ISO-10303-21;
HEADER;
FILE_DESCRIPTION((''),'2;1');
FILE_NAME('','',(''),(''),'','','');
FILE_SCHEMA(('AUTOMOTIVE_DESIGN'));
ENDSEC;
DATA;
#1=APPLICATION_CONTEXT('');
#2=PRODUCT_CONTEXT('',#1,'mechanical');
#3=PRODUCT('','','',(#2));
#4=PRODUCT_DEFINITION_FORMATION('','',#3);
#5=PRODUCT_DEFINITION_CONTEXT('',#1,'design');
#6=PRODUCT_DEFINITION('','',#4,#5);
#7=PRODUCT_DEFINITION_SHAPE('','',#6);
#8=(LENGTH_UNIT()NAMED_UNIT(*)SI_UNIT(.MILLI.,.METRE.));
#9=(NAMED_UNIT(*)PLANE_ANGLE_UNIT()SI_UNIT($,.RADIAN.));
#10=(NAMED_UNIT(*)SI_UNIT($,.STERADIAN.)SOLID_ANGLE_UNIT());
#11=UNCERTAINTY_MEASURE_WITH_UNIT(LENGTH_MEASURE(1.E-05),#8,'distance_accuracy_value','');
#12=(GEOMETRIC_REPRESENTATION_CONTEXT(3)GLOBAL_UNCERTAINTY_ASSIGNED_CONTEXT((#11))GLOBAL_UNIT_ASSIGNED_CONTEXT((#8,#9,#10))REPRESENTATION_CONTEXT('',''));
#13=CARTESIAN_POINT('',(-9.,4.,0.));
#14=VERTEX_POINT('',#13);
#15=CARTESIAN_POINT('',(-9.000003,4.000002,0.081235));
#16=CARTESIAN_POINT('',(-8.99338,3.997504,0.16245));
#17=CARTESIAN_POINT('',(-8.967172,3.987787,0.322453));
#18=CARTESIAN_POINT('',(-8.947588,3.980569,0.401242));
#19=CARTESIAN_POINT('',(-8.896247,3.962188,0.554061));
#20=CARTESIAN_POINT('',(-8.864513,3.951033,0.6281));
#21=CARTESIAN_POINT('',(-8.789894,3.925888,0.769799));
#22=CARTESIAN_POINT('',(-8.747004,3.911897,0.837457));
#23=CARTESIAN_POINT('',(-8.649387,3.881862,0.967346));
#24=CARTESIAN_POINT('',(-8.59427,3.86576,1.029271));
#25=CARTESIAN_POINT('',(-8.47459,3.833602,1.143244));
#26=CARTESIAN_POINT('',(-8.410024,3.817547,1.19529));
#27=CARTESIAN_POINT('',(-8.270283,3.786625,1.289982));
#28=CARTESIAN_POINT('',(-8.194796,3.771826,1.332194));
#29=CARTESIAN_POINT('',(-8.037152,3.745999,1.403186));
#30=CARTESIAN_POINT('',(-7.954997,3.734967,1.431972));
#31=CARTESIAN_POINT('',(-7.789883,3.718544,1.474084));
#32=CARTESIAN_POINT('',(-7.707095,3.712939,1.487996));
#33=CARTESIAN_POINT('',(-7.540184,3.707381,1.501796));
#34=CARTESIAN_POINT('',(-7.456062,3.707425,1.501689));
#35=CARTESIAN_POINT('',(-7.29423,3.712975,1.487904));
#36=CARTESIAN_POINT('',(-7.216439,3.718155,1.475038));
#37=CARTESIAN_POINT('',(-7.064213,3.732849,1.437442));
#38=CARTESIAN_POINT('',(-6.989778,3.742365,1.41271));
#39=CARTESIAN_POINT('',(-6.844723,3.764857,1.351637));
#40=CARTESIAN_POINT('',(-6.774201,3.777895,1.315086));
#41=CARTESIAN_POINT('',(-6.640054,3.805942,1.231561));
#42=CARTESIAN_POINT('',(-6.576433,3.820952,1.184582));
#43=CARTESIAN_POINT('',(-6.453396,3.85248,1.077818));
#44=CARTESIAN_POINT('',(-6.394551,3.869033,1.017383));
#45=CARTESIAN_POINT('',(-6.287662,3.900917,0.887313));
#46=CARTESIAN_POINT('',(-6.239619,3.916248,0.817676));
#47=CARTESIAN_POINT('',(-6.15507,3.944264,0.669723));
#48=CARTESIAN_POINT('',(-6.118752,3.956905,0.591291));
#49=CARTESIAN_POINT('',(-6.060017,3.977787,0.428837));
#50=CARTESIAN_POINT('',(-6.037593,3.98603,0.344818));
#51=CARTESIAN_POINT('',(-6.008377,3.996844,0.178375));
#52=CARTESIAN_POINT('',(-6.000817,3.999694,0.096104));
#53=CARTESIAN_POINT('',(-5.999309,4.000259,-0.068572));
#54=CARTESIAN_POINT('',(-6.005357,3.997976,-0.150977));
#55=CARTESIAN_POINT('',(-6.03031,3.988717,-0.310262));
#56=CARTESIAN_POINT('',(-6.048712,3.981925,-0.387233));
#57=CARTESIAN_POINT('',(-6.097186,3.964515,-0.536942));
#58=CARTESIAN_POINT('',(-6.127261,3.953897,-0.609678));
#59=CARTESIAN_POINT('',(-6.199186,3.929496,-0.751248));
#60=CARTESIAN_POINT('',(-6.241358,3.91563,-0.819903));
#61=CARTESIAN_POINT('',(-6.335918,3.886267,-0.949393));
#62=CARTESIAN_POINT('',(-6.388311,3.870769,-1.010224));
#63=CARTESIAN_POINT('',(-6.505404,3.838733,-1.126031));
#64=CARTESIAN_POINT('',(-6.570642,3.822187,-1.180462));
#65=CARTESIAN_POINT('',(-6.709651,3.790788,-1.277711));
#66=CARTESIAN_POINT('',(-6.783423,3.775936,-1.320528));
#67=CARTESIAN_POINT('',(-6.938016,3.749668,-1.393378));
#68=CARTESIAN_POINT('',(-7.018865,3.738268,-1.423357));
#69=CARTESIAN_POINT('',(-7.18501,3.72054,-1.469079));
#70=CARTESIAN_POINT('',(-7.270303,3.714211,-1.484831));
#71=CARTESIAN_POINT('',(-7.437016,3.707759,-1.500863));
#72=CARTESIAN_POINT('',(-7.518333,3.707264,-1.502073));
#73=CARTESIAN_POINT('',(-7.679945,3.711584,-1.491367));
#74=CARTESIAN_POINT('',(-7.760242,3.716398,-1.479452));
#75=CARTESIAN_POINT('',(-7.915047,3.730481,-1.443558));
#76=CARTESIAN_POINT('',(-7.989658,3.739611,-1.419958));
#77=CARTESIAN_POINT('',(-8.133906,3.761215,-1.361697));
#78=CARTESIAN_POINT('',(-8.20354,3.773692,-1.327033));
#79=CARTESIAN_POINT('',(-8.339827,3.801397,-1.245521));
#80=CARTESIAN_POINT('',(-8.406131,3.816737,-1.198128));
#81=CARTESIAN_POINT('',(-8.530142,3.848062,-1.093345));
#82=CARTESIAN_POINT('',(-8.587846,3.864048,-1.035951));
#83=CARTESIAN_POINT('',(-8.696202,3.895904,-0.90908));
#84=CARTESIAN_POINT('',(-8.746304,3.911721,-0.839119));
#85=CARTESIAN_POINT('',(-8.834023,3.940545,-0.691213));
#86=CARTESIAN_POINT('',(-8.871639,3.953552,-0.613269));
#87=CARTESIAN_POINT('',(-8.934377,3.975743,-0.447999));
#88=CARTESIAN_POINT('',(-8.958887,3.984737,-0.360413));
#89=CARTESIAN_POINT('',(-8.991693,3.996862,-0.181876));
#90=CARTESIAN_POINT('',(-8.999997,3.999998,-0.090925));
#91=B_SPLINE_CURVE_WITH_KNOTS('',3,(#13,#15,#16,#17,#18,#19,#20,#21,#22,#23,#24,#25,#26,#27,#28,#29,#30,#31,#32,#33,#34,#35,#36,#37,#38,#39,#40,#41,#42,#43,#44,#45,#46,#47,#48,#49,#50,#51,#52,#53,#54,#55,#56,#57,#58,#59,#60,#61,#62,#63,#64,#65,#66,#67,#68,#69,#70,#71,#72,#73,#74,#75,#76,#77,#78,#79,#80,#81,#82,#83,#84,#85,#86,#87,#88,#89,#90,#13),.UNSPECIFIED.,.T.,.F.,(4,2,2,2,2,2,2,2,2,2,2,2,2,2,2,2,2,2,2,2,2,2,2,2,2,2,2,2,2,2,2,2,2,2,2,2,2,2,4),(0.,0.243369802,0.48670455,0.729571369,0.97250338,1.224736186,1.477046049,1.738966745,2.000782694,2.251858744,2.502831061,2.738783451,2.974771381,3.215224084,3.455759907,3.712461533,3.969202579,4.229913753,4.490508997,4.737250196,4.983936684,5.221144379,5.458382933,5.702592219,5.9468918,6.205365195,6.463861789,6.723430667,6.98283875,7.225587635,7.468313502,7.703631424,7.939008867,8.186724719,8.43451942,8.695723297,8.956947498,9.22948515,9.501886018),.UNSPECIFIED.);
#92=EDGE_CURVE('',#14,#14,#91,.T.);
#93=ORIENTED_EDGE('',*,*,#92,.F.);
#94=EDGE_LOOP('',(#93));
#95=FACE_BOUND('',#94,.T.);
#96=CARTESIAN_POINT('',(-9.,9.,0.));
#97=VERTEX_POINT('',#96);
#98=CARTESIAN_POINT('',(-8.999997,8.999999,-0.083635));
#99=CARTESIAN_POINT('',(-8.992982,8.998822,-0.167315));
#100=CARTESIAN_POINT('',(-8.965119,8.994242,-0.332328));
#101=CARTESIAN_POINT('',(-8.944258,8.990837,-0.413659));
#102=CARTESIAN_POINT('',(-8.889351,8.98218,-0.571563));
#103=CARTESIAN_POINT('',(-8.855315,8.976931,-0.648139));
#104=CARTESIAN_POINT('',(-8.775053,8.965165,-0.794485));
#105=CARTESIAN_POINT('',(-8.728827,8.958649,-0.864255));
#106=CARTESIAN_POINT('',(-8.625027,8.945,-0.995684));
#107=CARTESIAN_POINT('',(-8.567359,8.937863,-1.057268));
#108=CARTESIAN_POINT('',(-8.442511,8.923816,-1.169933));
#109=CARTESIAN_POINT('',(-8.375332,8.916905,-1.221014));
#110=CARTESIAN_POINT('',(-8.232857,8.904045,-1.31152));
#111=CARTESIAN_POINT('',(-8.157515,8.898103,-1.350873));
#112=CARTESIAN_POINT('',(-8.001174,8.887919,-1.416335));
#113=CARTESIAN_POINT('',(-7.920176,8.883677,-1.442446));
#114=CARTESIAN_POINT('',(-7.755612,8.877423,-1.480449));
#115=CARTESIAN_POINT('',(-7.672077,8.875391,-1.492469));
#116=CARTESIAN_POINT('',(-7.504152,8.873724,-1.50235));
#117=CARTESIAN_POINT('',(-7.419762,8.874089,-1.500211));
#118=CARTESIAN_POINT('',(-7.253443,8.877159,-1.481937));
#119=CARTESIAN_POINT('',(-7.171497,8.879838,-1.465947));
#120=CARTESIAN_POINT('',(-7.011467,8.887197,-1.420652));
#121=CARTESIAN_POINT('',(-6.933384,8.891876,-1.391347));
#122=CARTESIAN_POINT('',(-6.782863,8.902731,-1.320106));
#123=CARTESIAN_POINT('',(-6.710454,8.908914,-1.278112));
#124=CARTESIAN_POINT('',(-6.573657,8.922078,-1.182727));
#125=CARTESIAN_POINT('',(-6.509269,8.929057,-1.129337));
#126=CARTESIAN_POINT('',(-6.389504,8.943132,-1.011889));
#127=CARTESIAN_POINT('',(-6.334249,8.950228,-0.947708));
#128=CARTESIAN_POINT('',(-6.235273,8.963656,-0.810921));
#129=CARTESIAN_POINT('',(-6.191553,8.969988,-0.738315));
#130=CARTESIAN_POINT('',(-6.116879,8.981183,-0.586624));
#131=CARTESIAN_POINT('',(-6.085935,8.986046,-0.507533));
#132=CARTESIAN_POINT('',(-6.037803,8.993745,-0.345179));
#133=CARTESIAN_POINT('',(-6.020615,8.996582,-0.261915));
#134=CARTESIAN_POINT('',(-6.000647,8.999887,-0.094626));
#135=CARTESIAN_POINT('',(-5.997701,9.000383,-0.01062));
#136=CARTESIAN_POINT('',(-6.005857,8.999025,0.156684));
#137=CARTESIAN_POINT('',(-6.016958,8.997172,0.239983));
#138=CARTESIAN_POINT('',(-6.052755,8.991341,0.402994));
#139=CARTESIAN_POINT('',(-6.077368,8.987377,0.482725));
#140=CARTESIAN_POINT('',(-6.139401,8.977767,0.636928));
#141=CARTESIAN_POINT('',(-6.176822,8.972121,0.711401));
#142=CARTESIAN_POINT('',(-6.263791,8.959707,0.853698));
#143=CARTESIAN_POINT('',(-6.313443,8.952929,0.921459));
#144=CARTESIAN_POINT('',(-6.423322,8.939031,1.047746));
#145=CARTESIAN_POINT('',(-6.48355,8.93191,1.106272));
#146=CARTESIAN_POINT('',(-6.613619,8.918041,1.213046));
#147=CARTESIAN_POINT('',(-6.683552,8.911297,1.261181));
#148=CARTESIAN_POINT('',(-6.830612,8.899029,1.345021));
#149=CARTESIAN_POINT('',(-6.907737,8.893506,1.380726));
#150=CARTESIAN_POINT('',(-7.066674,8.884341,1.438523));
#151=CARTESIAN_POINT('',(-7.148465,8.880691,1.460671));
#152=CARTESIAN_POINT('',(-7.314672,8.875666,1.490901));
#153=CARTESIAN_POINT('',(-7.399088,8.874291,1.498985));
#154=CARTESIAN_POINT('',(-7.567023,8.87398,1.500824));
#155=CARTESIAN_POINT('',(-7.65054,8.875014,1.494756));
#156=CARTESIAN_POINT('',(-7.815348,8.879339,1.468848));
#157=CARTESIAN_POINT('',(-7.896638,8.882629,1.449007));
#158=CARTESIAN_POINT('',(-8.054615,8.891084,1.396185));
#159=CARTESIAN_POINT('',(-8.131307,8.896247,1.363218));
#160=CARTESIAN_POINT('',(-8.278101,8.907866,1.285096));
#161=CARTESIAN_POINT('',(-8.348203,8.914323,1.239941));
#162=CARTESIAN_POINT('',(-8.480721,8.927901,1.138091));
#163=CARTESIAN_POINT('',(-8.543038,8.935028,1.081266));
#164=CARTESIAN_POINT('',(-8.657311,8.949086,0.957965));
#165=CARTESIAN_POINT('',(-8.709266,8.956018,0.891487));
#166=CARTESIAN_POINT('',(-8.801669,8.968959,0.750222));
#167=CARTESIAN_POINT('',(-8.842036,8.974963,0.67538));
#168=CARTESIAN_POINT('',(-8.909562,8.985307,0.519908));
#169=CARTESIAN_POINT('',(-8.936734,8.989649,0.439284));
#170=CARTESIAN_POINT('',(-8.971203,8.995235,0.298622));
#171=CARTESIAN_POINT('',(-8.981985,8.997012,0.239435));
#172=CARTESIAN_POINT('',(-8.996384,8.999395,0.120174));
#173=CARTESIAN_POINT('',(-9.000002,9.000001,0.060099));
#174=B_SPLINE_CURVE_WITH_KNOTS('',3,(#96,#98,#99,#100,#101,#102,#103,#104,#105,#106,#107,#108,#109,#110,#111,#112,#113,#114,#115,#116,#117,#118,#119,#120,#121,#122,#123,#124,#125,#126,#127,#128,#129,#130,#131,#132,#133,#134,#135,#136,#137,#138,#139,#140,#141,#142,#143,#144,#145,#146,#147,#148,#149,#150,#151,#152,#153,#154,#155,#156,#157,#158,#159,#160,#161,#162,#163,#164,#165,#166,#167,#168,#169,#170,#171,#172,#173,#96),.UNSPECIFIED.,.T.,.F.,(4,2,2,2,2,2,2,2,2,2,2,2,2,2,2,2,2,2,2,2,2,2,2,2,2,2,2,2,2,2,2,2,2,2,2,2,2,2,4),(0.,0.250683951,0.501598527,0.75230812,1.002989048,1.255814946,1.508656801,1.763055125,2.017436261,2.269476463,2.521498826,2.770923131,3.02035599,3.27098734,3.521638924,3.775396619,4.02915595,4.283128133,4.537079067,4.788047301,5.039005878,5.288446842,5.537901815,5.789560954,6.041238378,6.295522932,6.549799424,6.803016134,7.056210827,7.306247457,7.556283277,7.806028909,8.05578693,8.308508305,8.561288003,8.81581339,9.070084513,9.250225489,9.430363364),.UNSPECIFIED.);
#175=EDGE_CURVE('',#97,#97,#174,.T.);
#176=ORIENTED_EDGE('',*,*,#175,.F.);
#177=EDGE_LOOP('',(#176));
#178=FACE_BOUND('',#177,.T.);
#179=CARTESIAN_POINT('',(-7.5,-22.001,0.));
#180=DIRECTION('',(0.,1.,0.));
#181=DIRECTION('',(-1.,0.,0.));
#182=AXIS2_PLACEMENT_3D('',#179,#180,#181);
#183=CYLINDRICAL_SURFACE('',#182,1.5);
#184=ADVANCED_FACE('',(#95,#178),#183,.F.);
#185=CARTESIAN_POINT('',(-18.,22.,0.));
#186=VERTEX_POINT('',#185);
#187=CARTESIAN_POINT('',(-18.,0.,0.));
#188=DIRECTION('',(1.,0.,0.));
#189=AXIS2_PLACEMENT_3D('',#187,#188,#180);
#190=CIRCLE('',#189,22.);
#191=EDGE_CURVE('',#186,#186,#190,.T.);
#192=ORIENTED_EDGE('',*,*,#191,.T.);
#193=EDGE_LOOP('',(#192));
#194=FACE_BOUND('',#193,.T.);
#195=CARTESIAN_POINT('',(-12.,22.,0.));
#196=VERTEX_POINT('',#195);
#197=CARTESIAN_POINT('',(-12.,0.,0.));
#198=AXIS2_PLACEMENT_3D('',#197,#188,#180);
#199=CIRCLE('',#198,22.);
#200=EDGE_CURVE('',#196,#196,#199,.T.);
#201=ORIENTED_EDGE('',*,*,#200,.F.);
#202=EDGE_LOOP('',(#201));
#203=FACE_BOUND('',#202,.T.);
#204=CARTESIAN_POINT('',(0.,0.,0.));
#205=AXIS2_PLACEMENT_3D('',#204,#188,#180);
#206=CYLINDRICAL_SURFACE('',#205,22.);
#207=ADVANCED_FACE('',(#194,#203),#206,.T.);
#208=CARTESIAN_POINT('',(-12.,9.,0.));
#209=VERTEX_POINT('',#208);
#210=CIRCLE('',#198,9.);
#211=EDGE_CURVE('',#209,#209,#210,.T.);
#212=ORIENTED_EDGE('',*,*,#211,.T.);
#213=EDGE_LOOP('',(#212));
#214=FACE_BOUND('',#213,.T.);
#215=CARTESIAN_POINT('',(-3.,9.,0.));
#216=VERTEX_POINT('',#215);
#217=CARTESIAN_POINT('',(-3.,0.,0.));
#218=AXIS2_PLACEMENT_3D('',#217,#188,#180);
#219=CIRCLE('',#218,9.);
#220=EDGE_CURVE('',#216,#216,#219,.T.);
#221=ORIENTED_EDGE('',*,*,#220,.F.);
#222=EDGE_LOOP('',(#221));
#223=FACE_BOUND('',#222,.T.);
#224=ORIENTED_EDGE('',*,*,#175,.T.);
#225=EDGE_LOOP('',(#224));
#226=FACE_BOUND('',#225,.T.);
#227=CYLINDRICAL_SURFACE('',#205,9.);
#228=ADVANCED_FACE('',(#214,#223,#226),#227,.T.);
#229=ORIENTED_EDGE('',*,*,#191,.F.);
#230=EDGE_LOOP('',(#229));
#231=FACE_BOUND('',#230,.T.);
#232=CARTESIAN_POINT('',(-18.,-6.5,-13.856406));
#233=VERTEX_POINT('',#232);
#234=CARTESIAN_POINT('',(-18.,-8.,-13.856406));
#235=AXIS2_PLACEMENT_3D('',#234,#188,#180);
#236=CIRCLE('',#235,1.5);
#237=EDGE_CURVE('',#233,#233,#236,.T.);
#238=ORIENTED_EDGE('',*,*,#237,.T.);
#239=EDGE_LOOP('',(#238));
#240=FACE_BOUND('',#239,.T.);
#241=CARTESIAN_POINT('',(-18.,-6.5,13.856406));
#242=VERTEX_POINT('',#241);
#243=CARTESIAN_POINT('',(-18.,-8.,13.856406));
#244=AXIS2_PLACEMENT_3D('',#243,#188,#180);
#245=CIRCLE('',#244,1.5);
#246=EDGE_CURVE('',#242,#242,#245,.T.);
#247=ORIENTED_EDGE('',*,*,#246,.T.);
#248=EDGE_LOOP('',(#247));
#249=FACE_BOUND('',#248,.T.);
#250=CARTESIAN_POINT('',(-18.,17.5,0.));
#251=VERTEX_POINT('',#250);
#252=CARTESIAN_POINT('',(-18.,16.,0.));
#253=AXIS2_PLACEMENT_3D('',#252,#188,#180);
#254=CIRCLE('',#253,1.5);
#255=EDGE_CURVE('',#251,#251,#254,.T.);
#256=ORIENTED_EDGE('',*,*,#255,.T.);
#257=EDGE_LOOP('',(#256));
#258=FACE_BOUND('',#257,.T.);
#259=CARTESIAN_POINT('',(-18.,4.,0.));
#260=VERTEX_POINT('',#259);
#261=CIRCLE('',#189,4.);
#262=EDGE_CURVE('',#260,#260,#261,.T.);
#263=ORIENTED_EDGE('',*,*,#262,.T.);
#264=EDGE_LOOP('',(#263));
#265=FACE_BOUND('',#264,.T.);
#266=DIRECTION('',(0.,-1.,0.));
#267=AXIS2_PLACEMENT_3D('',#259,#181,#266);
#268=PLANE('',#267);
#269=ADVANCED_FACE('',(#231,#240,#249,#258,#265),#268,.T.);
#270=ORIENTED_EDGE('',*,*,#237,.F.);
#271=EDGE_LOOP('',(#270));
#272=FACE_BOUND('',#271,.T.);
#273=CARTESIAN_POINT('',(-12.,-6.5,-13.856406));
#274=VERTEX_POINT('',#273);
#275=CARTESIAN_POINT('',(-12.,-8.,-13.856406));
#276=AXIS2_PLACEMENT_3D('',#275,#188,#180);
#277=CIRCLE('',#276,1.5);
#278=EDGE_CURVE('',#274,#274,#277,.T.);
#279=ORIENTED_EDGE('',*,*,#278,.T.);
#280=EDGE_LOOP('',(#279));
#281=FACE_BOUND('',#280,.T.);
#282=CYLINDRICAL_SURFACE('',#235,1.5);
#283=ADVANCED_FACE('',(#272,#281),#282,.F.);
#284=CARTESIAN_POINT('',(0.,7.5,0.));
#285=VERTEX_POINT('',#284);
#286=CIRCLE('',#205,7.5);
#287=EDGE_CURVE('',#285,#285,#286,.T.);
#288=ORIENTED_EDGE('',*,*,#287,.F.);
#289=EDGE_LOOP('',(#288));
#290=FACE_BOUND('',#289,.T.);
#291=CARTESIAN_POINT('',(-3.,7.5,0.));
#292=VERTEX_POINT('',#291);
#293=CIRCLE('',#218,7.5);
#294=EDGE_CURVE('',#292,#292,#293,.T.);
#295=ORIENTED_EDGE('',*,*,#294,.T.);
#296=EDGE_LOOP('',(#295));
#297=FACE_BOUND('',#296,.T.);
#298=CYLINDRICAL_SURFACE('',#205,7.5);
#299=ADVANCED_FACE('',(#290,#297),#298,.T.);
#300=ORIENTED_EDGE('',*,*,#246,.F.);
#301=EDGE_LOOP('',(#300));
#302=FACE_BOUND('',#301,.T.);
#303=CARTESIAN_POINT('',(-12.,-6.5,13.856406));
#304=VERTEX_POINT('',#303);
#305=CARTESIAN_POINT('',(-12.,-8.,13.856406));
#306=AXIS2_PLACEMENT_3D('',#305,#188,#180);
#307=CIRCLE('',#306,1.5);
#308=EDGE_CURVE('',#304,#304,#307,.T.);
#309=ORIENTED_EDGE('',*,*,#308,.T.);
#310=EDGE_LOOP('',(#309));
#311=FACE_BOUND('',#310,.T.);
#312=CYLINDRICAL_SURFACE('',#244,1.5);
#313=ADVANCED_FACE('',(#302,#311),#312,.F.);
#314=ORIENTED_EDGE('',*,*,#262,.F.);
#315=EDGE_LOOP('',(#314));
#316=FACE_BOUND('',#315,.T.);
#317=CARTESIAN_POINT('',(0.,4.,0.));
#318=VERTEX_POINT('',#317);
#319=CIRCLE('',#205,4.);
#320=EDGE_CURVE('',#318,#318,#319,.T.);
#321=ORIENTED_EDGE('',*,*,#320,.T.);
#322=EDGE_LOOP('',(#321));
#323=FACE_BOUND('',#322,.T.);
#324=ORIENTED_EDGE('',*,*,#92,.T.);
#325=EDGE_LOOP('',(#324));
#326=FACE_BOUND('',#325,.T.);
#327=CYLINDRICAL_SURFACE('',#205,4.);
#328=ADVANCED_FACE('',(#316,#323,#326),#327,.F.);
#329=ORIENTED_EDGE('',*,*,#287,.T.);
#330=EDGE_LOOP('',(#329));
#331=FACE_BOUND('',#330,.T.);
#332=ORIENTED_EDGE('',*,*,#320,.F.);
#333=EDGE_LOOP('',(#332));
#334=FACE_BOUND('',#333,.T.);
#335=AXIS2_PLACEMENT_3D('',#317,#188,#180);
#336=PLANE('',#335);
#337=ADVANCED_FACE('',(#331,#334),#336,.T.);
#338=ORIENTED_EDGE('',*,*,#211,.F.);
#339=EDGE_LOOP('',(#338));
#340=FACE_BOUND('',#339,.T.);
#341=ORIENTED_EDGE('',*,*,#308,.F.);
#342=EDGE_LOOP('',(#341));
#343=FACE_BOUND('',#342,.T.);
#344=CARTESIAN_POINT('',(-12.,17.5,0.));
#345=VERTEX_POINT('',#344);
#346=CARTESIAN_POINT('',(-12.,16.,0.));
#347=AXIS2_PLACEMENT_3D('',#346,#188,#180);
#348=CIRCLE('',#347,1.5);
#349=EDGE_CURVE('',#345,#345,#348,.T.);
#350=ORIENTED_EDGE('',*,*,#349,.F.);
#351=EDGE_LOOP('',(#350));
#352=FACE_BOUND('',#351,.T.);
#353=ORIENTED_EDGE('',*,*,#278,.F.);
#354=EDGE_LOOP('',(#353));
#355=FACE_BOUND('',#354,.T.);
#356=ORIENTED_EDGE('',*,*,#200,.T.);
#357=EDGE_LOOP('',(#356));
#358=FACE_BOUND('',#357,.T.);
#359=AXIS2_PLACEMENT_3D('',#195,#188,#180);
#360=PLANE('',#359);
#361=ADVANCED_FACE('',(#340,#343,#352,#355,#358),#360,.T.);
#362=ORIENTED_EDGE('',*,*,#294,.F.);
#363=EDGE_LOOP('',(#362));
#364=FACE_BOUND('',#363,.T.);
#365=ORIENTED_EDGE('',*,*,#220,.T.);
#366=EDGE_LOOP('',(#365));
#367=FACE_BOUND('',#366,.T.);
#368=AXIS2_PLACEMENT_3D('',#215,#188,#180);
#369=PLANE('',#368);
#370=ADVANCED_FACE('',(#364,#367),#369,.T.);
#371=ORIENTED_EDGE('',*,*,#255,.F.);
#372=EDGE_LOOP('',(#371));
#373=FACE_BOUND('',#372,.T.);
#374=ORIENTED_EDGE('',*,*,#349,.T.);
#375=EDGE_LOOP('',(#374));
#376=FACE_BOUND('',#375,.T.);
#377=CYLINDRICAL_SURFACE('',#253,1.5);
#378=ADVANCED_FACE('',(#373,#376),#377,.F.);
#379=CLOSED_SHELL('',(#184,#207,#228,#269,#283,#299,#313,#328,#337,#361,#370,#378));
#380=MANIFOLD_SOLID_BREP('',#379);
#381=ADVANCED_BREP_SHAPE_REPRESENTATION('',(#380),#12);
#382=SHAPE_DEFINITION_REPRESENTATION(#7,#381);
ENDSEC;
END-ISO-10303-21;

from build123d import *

# Parameters (mm, degrees)
ESQUISSE2_R             = 1.5
ENL_V_MAT_EXTRU_1_DEPTH = 7
ENL_V_MAT_EXTRU_2_REACH = 33
ESQUISSE3_R             = 1.5


with BuildPart() as part:
    # Esquisse1 → Révolution1 (revolve)
    with BuildSketch(Plane.XY):
        Polygon((0, 4), (-18, 4), (-18, 22), (-12, 22), (-12, 9), (-3, 9), (-3, 7.5), (0, 7.5), align=None)
    revolve(axis=Axis((0, 0, 0), (-1, 0, 0)))

    # Esquisse2 → Enlèv. mat.-Extru.1 (cut, through all)
    with BuildSketch(Plane(origin=(-12, 0, 0), x_dir=(0, 0, -1), z_dir=(1, 0, 0))):
        with Locations((0, 16)):
            Circle(ESQUISSE2_R)
        with Locations((13.856406461, -8)):
            Circle(ESQUISSE2_R)
        with Locations((-13.856406461, -8)):
            Circle(ESQUISSE2_R)
    extrude(amount=-ENL_V_MAT_EXTRU_1_DEPTH, mode=Mode.SUBTRACT)

    # Esquisse3 → Enlèv. mat.-Extru.2 (cut, up to next)
    with BuildSketch(Plane(origin=(0, 9, 0), x_dir=(1, 0, 0), z_dir=(0, 1, 0)), mode=Mode.PRIVATE) as enl_v_mat_extru_2_sk1:
        with Locations((-7.5, 0)):
            Circle(ESQUISSE3_R)
    enl_v_mat_extru_2_tool1 = extrude(enl_v_mat_extru_2_sk1.sketch, amount=-ENL_V_MAT_EXTRU_2_REACH, mode=Mode.PRIVATE) & part.part
    add(enl_v_mat_extru_2_tool1.solids().sort_by_distance((-7.5, 9, 0))[0], mode=Mode.SUBTRACT)


solid = part.part
